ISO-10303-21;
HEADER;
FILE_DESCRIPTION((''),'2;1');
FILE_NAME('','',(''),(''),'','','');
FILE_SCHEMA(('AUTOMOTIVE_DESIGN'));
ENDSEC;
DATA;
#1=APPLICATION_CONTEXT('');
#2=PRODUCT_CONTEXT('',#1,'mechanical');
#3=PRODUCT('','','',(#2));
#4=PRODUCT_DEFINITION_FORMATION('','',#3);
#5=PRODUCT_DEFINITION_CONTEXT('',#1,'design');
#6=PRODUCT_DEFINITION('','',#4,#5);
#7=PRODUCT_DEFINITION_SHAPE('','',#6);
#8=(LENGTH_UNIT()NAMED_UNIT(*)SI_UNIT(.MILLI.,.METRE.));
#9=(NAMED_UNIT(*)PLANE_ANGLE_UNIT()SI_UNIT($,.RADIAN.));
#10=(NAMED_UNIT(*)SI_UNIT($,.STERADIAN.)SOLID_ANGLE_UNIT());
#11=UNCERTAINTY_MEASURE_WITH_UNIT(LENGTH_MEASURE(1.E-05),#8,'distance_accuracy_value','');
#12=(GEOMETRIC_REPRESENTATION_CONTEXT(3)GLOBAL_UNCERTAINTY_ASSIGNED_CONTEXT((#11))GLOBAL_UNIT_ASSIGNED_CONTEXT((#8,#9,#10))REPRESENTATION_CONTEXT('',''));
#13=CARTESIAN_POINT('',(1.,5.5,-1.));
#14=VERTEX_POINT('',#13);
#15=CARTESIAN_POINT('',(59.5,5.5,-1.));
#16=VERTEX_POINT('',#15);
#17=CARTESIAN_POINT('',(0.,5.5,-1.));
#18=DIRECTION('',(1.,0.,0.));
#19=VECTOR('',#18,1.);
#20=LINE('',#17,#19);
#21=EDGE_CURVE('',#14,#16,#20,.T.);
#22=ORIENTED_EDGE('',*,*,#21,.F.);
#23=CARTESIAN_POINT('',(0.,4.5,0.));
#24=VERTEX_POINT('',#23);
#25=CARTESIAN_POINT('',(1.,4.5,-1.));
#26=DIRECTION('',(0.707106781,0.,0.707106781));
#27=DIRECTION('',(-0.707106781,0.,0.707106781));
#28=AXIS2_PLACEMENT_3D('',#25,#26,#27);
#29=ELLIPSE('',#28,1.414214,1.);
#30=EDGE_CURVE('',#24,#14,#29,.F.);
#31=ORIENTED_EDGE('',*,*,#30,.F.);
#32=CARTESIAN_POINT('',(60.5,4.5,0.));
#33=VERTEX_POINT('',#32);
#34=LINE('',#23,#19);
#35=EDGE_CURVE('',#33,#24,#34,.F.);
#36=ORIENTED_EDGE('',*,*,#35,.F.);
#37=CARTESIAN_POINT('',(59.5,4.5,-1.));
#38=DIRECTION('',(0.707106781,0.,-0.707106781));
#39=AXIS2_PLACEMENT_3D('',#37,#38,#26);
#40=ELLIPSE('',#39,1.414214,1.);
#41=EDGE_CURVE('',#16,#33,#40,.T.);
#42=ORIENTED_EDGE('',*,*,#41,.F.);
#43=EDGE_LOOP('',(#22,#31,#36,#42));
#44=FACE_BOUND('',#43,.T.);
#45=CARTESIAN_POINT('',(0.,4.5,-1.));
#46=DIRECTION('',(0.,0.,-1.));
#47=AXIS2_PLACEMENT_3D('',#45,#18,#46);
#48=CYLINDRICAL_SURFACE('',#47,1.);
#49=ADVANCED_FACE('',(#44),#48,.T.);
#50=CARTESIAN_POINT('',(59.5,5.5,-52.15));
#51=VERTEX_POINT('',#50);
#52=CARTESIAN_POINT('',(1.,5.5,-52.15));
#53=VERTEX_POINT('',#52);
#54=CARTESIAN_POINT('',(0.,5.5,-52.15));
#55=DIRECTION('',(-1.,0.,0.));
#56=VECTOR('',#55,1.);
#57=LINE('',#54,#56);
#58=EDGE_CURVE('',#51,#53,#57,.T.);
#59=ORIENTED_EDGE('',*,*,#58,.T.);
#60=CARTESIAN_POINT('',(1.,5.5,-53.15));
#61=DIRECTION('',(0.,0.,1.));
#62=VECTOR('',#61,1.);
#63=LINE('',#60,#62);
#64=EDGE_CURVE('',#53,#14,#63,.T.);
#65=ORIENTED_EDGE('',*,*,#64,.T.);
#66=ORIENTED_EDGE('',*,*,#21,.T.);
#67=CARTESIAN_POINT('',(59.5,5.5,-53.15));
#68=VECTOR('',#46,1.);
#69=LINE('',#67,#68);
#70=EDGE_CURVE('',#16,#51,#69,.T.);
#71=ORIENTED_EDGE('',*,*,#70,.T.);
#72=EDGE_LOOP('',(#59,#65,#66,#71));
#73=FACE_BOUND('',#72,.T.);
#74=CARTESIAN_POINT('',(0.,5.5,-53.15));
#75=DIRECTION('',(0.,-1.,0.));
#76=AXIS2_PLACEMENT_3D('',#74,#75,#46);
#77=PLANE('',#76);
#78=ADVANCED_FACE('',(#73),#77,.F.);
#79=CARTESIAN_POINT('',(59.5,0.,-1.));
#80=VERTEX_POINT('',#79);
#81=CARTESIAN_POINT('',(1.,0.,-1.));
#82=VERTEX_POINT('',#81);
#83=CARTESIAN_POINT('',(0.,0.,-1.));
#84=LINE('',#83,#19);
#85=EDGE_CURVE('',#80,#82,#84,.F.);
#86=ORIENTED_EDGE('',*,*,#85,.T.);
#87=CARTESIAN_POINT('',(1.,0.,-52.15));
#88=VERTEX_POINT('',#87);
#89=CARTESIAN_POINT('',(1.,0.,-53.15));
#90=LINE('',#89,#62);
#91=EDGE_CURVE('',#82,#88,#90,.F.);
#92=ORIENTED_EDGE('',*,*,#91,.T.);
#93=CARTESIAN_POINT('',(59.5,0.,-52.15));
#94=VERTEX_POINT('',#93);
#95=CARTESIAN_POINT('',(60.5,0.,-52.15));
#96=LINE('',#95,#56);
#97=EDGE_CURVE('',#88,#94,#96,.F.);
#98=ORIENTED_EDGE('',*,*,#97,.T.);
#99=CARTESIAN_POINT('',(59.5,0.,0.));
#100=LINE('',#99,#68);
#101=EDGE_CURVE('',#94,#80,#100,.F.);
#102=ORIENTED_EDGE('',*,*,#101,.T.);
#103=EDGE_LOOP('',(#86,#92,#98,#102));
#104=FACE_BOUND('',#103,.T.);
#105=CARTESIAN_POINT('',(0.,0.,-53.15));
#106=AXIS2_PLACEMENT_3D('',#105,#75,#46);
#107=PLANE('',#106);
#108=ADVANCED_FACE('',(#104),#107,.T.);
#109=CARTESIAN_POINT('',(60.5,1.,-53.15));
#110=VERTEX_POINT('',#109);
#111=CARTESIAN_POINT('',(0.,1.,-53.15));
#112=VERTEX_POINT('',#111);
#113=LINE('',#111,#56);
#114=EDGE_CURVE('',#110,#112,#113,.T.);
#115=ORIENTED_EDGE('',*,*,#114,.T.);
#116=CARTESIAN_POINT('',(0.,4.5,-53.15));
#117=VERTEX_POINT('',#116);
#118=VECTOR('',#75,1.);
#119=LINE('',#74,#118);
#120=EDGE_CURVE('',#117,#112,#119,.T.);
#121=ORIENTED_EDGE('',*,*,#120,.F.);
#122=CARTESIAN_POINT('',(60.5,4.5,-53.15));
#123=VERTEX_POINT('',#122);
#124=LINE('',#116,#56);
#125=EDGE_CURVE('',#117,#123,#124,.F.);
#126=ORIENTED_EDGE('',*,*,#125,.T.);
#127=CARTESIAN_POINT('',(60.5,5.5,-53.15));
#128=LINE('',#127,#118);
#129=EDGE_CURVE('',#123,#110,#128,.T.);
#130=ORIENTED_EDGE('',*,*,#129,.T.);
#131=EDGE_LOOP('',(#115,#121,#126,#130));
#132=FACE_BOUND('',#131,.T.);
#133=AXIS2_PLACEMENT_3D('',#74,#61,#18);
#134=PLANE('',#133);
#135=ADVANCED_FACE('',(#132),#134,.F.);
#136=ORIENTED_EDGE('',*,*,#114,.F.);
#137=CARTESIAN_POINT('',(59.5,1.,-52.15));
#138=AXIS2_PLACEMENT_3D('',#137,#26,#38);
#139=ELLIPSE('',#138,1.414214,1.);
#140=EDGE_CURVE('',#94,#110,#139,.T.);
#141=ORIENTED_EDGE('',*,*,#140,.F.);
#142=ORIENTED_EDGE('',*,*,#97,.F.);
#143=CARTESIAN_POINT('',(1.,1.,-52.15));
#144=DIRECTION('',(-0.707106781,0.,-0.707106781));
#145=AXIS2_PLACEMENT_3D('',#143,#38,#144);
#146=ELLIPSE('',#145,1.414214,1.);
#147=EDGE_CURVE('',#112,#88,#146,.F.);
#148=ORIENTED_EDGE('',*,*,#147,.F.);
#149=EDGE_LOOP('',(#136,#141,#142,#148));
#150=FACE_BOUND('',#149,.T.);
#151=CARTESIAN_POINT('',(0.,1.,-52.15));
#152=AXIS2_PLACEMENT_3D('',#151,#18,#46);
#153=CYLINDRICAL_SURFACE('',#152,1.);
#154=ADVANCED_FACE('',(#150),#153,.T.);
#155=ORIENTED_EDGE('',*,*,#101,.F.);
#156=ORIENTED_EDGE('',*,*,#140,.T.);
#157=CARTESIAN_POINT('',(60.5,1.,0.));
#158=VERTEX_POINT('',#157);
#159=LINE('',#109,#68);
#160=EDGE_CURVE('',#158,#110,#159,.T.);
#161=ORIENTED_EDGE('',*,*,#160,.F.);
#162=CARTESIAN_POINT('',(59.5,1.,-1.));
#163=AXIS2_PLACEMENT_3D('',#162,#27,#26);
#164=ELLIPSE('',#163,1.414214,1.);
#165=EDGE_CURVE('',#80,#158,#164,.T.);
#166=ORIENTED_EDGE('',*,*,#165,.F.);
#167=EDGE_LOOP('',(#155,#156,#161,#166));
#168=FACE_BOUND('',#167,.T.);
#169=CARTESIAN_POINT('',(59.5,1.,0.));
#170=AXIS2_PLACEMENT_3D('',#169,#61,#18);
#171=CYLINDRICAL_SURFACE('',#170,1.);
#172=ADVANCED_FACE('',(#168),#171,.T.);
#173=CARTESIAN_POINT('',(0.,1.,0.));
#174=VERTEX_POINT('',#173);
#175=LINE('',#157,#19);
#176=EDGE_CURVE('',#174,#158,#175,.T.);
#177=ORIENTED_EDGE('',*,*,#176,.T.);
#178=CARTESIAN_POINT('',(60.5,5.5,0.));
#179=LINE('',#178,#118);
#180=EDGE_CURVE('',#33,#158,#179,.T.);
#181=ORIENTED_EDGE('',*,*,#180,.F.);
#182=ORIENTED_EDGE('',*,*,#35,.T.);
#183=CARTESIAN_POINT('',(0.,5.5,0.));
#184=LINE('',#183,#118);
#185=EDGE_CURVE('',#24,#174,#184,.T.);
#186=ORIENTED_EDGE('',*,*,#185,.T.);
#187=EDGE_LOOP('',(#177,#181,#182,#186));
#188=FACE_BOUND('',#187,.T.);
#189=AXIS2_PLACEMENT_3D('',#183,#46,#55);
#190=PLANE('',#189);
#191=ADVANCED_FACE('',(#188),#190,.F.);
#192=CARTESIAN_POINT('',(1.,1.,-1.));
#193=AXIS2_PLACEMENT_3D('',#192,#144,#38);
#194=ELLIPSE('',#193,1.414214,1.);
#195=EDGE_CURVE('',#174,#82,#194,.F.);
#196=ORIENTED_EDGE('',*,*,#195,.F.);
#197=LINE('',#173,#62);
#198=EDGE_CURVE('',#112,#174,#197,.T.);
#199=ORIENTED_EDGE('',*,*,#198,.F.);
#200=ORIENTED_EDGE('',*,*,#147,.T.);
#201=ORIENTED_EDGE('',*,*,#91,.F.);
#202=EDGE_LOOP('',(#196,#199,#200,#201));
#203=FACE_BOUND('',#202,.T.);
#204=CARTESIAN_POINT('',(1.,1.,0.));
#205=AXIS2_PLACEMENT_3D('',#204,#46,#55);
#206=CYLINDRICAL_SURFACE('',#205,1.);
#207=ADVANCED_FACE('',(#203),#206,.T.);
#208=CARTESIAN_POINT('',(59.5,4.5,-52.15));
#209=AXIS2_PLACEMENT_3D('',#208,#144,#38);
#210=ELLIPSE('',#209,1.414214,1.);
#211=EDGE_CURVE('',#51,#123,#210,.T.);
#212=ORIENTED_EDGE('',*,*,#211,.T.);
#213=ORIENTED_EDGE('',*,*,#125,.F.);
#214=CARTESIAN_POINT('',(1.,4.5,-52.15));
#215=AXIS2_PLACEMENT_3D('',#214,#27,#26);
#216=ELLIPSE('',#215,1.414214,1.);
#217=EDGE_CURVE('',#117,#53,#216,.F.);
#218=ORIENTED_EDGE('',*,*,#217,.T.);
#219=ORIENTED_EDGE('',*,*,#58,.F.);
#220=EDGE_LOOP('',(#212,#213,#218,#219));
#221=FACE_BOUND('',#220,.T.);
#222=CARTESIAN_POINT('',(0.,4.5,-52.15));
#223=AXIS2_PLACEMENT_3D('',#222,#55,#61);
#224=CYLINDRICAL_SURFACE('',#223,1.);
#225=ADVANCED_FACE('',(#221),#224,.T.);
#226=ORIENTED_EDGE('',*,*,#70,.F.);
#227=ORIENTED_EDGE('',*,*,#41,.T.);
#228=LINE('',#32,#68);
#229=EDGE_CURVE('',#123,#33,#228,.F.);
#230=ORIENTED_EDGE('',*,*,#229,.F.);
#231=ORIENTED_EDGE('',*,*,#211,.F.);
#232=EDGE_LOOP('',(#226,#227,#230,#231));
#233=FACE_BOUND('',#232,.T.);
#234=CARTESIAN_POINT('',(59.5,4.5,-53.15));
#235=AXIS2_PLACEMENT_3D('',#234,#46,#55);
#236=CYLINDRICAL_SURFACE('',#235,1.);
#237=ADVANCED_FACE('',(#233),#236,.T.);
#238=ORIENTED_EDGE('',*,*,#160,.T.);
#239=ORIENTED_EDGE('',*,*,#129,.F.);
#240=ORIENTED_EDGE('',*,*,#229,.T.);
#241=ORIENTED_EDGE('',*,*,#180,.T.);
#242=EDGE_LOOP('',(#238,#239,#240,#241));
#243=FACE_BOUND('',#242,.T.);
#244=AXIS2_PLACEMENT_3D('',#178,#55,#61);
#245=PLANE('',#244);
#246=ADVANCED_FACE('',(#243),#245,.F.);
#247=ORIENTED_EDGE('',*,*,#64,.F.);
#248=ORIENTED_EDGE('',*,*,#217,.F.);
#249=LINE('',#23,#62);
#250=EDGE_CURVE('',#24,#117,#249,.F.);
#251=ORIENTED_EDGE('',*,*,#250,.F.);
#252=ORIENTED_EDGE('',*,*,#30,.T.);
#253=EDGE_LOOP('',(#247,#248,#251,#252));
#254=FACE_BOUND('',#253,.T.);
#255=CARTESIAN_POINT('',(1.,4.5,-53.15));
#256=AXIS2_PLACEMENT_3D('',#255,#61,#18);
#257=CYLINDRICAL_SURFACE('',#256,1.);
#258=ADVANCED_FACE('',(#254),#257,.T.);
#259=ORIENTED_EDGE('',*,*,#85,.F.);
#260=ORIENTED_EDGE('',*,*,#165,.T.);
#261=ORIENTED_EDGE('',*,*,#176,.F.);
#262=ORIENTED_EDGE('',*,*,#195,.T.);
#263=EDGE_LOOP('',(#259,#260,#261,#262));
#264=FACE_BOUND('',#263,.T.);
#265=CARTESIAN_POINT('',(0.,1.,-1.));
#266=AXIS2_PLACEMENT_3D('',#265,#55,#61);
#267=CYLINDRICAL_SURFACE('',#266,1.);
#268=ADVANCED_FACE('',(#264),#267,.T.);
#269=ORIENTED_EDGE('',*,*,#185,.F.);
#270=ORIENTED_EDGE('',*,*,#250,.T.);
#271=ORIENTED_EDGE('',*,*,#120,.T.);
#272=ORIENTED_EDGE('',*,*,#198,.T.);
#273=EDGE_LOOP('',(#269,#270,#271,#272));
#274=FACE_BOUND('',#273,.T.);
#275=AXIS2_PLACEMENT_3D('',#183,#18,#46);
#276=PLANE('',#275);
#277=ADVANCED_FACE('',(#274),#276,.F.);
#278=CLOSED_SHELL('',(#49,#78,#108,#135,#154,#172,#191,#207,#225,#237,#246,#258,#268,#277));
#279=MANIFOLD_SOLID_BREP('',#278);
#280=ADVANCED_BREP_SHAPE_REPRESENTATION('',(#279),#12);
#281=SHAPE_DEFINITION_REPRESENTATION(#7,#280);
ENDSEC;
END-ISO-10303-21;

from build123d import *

# Parameters (mm, degrees)
SKETCH1_W           = 60.5
SKETCH1_H           = 53.15
BOSS_EXTRUDE1_DEPTH = 5.5
FILLET1_R           = 1


with BuildPart() as part:
    # Sketch1 → Boss-Extrude1 (new body)
    with BuildSketch(Plane(origin=(0, 0, 0), x_dir=(1, 0, 0), z_dir=(0, 1, 0))):
        with Locations((30.25, 26.575)):
            Rectangle(SKETCH1_W, SKETCH1_H)
    extrude(amount=BOSS_EXTRUDE1_DEPTH)

    # Fillet1
    fillet1_edges = [part.edges().sort_by_distance(p)[0] for p in [
        (60.5, 5.5, -26.575),
        (30.25, 5.5, -53.15),
        (0, 5.5, -26.575),
        (30.25, 0, -53.15),
        (60.5, 0, -26.575),
        (30.25, 0, 0),
        (0, 0, -26.575),
        (30.25, 5.5, 0),
    ]]
    fillet(fillet1_edges, radius=FILLET1_R)


solid = part.part
